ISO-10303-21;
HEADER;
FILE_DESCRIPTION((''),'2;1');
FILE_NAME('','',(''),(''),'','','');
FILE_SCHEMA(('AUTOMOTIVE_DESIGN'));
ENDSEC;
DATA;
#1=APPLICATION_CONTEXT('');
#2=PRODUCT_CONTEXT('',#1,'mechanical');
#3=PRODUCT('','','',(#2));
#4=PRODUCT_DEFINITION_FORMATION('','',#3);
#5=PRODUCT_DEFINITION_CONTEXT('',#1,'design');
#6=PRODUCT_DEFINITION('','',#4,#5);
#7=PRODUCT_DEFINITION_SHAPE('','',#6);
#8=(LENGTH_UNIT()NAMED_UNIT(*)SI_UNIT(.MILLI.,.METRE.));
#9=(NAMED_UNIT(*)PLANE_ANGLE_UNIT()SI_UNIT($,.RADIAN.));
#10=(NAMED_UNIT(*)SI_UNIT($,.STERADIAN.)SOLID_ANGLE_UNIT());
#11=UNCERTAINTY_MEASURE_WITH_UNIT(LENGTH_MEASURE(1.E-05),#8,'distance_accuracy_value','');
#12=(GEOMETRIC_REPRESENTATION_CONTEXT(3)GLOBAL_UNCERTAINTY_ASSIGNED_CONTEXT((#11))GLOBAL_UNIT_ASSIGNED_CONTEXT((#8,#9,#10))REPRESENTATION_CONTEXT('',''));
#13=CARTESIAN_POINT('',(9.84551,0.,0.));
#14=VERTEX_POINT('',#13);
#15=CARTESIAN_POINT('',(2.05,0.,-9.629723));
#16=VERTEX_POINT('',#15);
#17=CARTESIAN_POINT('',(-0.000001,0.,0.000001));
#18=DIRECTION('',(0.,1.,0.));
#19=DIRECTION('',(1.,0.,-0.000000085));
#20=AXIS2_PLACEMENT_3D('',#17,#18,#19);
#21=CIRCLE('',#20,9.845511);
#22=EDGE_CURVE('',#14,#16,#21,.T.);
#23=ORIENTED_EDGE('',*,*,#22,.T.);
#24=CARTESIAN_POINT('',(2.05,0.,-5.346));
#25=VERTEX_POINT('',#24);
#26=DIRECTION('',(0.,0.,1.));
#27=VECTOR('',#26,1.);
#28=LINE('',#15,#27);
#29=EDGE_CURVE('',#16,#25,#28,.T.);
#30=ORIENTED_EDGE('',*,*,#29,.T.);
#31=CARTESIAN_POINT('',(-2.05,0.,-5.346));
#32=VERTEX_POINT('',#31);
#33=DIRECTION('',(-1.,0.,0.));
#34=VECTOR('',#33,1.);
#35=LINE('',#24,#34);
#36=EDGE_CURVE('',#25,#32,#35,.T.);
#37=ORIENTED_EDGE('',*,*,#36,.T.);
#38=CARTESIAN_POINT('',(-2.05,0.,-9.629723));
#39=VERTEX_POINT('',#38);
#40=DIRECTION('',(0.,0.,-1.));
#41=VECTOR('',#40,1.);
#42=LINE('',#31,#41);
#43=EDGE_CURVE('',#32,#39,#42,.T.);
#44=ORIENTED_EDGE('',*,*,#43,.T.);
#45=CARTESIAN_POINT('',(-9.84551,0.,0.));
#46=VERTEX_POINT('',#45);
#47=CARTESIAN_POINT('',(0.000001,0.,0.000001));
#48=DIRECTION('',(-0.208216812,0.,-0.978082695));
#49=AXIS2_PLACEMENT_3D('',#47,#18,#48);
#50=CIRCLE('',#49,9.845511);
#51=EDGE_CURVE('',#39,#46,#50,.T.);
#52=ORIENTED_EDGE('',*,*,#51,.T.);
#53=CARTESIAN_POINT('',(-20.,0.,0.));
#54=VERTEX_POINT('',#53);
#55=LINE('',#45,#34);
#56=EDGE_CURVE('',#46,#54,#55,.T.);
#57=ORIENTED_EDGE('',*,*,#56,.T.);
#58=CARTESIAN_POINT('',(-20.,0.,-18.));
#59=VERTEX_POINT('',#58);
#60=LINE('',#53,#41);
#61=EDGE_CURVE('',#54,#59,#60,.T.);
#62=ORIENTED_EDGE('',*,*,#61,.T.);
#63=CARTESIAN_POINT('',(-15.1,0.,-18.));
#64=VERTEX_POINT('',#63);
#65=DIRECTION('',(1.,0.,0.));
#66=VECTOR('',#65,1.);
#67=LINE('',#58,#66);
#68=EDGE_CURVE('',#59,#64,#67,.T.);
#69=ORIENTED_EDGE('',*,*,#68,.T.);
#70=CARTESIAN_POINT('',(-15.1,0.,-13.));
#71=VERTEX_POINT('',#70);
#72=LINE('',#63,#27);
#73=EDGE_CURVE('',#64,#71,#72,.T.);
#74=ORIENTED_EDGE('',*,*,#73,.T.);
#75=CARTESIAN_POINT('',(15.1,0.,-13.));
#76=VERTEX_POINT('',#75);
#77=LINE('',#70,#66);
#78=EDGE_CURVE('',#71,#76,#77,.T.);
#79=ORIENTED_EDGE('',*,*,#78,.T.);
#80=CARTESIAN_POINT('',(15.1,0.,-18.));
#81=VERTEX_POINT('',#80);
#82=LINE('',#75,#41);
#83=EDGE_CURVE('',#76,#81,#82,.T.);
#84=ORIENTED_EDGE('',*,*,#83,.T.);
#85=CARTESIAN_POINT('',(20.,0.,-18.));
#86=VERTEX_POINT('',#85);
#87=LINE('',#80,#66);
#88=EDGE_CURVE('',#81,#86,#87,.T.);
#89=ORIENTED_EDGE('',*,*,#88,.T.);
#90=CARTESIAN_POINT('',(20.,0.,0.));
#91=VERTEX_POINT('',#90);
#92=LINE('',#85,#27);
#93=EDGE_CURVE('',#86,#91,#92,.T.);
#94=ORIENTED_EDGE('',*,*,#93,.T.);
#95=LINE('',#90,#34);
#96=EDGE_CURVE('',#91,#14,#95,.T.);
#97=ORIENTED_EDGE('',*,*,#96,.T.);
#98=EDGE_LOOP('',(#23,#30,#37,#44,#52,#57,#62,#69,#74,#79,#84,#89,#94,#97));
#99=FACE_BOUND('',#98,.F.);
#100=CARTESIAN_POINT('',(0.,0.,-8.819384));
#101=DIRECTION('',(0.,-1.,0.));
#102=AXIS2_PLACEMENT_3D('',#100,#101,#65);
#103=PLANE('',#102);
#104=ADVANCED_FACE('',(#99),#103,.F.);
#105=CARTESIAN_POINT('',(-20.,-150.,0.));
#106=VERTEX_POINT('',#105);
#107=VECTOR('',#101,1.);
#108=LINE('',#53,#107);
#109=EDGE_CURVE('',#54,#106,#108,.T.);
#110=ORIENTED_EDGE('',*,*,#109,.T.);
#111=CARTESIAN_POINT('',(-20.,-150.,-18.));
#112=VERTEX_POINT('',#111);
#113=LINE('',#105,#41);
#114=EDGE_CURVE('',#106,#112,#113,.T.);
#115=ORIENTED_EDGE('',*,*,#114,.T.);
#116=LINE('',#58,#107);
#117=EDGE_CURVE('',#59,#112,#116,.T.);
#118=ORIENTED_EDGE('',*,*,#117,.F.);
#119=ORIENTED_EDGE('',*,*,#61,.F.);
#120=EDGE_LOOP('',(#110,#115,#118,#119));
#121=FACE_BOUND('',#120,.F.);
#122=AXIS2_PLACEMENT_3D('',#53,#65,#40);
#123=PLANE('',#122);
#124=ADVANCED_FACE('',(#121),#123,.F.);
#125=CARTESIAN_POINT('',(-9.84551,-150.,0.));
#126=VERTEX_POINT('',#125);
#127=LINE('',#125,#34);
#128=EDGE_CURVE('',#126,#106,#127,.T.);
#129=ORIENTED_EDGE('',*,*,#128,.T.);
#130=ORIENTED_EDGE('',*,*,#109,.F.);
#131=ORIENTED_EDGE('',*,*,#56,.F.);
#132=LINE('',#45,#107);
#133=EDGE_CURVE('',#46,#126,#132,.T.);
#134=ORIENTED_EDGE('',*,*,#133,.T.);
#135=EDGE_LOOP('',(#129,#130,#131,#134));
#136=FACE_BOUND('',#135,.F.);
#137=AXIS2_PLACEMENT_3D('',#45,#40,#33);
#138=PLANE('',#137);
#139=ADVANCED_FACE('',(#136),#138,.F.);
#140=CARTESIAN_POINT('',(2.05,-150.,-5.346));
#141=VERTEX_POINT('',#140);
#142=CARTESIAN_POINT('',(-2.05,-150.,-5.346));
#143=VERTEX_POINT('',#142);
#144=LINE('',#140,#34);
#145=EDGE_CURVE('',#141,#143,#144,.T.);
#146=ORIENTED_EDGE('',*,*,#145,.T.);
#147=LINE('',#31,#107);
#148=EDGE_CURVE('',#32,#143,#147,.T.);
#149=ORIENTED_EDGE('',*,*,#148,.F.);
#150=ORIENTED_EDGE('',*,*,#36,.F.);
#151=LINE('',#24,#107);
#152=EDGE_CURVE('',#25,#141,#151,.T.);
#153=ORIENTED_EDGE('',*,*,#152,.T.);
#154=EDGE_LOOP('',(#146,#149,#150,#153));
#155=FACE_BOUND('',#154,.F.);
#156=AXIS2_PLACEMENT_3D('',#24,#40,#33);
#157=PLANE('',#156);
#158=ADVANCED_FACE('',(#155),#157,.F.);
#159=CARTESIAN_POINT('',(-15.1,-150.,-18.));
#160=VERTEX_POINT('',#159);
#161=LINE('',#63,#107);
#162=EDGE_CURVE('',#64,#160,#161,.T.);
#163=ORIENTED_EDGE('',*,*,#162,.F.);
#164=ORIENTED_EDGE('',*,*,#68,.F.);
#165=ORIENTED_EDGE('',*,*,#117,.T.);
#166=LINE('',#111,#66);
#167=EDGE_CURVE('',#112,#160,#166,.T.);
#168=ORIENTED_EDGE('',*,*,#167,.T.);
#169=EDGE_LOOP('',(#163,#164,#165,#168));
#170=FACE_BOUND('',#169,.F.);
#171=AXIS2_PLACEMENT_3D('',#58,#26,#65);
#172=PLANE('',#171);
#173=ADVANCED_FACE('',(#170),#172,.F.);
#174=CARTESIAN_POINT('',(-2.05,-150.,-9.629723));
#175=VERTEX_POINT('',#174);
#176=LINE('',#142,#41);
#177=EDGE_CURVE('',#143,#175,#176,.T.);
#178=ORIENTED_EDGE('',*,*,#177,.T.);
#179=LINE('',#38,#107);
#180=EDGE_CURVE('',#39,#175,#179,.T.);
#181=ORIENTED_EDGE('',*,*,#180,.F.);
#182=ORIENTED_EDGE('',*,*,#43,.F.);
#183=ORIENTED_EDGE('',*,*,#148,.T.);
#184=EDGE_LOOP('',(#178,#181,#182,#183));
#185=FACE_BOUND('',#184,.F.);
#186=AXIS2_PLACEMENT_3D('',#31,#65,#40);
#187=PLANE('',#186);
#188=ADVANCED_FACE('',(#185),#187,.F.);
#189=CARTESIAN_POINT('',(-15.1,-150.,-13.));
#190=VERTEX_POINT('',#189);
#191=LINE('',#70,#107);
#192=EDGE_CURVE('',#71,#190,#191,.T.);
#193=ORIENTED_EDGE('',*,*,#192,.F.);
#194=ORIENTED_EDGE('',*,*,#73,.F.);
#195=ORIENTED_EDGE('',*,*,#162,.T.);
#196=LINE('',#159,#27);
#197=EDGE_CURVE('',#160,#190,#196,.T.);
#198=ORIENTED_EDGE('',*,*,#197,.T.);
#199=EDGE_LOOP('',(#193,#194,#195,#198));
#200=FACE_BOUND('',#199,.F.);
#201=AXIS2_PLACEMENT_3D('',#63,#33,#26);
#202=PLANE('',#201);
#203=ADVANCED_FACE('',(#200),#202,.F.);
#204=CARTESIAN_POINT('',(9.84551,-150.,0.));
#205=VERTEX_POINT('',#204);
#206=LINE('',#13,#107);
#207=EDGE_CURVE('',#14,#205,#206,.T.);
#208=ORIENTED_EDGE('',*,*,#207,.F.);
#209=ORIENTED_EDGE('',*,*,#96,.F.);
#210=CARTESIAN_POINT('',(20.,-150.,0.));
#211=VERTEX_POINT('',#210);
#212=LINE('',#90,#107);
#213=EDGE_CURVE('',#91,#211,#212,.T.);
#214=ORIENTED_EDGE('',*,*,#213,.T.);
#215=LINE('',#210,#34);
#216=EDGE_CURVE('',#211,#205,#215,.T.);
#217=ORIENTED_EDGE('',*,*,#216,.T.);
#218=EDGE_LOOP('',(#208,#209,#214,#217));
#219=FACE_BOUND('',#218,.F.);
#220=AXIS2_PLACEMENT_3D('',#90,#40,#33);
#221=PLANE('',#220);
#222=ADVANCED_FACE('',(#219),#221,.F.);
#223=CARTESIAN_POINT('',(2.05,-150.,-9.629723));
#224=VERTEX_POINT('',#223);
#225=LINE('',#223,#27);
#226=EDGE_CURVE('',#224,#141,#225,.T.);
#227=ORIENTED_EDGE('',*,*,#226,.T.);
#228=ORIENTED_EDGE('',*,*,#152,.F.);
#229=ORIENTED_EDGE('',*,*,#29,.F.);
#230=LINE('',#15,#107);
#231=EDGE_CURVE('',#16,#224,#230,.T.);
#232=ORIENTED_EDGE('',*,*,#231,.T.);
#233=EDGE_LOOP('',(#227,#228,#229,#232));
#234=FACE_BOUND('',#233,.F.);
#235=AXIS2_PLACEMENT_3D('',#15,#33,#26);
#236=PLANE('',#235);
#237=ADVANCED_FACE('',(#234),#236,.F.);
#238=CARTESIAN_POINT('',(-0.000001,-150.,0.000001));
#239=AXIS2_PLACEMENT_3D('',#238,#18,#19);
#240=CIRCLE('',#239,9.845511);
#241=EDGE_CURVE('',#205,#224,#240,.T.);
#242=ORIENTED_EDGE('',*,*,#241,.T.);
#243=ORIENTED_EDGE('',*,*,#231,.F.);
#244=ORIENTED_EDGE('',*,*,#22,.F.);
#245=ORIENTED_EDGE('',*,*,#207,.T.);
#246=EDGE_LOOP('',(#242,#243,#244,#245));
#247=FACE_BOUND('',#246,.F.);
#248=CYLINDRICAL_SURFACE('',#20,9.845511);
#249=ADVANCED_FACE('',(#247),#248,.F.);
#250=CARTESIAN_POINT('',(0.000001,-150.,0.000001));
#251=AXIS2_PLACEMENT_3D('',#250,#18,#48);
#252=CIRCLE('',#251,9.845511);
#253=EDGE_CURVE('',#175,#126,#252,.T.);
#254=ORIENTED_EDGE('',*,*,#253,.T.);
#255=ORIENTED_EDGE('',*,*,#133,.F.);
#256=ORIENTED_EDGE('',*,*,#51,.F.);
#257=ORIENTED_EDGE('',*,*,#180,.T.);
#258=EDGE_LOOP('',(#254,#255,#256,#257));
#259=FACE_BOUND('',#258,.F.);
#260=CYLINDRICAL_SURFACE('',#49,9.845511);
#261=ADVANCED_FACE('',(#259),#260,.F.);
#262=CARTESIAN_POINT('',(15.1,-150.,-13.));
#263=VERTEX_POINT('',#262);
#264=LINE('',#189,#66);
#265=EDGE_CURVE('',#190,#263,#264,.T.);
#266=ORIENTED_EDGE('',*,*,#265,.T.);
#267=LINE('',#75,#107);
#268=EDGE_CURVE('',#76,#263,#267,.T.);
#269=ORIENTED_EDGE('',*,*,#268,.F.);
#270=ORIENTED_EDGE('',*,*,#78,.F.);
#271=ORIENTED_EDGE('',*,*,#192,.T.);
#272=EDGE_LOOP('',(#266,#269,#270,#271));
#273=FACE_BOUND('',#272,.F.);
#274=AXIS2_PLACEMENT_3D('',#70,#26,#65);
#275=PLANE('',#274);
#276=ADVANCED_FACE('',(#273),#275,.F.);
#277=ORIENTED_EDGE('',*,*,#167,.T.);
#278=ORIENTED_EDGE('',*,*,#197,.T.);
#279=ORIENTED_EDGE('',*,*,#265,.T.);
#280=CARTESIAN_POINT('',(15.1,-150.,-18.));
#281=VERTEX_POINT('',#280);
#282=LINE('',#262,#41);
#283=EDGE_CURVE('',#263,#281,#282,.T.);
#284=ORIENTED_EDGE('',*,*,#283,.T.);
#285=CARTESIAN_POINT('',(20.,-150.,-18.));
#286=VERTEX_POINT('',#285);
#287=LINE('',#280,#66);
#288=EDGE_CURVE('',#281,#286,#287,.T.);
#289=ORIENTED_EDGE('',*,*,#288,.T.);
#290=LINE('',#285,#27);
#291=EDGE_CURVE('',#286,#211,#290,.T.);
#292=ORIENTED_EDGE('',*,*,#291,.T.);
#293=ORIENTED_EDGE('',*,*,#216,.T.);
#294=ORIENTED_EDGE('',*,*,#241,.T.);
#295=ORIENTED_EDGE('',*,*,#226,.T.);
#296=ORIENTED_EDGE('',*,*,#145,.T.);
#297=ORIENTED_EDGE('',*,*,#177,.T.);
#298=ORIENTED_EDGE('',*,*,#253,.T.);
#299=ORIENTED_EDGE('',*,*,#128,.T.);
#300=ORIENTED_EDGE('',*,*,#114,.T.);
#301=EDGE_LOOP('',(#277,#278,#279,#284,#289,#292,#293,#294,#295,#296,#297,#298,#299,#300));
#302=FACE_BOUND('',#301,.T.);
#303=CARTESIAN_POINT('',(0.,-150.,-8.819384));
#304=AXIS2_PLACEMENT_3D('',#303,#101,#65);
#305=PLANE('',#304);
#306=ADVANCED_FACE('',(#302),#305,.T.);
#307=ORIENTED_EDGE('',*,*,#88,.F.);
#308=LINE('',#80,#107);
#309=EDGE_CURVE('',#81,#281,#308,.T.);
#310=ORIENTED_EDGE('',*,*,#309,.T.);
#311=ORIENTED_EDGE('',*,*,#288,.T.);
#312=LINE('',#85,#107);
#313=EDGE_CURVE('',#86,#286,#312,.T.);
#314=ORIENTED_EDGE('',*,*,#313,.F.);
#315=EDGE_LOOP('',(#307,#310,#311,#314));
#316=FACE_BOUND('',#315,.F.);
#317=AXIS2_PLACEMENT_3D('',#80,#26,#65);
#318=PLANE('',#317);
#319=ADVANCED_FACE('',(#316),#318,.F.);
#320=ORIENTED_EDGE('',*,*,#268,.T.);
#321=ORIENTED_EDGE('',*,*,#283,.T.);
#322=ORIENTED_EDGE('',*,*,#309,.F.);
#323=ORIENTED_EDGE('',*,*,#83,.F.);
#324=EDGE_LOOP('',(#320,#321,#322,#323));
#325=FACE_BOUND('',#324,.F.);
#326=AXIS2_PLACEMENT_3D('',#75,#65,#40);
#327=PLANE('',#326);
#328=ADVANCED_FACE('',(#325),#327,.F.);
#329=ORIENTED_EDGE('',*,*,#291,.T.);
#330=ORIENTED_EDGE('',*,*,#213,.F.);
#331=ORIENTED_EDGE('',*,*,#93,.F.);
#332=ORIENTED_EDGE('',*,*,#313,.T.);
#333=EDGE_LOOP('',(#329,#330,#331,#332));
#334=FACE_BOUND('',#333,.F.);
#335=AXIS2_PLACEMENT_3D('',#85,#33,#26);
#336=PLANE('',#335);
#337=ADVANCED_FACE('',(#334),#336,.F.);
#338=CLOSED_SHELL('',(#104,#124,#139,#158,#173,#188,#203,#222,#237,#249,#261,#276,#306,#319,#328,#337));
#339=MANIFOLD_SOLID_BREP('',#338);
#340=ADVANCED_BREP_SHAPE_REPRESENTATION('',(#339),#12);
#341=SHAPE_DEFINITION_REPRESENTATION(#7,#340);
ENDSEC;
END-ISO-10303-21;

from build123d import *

# Parameters (mm, degrees)
F1_DEPTH = 150


with BuildPart() as f1:
    # F0 (on Front) → F1 (new body)
    with BuildSketch(Plane.XZ):
        with BuildLine():
            Line((15.1, -18), (20, -18))
            Line((20, -18), (20, 0))
            Line((20, 0), (9.84551, 0))
            ThreePointArc((9.84551, 0), (7.652364, -6.194787), (2.05, -9.629723))
            Line((2.05, -9.629723), (2.05, -5.346))
            Line((2.05, -5.346), (-2.05, -5.346))
            Line((-2.05, -5.346), (-2.05, -9.629723))
            ThreePointArc((-2.05, -9.629723), (-7.652364, -6.194787), (-9.84551, 0))
            Line((-9.84551, 0), (-20, 0))
            Line((-20, 0), (-20, -18))
            Line((-20, -18), (-15.1, -18))
            Line((-15.1, -18), (-15.1, -13))
            Line((-15.1, -13), (15.1, -13))
            Line((15.1, -13), (15.1, -18))
        make_face()
    extrude(amount=F1_DEPTH)


solid = f1.part
